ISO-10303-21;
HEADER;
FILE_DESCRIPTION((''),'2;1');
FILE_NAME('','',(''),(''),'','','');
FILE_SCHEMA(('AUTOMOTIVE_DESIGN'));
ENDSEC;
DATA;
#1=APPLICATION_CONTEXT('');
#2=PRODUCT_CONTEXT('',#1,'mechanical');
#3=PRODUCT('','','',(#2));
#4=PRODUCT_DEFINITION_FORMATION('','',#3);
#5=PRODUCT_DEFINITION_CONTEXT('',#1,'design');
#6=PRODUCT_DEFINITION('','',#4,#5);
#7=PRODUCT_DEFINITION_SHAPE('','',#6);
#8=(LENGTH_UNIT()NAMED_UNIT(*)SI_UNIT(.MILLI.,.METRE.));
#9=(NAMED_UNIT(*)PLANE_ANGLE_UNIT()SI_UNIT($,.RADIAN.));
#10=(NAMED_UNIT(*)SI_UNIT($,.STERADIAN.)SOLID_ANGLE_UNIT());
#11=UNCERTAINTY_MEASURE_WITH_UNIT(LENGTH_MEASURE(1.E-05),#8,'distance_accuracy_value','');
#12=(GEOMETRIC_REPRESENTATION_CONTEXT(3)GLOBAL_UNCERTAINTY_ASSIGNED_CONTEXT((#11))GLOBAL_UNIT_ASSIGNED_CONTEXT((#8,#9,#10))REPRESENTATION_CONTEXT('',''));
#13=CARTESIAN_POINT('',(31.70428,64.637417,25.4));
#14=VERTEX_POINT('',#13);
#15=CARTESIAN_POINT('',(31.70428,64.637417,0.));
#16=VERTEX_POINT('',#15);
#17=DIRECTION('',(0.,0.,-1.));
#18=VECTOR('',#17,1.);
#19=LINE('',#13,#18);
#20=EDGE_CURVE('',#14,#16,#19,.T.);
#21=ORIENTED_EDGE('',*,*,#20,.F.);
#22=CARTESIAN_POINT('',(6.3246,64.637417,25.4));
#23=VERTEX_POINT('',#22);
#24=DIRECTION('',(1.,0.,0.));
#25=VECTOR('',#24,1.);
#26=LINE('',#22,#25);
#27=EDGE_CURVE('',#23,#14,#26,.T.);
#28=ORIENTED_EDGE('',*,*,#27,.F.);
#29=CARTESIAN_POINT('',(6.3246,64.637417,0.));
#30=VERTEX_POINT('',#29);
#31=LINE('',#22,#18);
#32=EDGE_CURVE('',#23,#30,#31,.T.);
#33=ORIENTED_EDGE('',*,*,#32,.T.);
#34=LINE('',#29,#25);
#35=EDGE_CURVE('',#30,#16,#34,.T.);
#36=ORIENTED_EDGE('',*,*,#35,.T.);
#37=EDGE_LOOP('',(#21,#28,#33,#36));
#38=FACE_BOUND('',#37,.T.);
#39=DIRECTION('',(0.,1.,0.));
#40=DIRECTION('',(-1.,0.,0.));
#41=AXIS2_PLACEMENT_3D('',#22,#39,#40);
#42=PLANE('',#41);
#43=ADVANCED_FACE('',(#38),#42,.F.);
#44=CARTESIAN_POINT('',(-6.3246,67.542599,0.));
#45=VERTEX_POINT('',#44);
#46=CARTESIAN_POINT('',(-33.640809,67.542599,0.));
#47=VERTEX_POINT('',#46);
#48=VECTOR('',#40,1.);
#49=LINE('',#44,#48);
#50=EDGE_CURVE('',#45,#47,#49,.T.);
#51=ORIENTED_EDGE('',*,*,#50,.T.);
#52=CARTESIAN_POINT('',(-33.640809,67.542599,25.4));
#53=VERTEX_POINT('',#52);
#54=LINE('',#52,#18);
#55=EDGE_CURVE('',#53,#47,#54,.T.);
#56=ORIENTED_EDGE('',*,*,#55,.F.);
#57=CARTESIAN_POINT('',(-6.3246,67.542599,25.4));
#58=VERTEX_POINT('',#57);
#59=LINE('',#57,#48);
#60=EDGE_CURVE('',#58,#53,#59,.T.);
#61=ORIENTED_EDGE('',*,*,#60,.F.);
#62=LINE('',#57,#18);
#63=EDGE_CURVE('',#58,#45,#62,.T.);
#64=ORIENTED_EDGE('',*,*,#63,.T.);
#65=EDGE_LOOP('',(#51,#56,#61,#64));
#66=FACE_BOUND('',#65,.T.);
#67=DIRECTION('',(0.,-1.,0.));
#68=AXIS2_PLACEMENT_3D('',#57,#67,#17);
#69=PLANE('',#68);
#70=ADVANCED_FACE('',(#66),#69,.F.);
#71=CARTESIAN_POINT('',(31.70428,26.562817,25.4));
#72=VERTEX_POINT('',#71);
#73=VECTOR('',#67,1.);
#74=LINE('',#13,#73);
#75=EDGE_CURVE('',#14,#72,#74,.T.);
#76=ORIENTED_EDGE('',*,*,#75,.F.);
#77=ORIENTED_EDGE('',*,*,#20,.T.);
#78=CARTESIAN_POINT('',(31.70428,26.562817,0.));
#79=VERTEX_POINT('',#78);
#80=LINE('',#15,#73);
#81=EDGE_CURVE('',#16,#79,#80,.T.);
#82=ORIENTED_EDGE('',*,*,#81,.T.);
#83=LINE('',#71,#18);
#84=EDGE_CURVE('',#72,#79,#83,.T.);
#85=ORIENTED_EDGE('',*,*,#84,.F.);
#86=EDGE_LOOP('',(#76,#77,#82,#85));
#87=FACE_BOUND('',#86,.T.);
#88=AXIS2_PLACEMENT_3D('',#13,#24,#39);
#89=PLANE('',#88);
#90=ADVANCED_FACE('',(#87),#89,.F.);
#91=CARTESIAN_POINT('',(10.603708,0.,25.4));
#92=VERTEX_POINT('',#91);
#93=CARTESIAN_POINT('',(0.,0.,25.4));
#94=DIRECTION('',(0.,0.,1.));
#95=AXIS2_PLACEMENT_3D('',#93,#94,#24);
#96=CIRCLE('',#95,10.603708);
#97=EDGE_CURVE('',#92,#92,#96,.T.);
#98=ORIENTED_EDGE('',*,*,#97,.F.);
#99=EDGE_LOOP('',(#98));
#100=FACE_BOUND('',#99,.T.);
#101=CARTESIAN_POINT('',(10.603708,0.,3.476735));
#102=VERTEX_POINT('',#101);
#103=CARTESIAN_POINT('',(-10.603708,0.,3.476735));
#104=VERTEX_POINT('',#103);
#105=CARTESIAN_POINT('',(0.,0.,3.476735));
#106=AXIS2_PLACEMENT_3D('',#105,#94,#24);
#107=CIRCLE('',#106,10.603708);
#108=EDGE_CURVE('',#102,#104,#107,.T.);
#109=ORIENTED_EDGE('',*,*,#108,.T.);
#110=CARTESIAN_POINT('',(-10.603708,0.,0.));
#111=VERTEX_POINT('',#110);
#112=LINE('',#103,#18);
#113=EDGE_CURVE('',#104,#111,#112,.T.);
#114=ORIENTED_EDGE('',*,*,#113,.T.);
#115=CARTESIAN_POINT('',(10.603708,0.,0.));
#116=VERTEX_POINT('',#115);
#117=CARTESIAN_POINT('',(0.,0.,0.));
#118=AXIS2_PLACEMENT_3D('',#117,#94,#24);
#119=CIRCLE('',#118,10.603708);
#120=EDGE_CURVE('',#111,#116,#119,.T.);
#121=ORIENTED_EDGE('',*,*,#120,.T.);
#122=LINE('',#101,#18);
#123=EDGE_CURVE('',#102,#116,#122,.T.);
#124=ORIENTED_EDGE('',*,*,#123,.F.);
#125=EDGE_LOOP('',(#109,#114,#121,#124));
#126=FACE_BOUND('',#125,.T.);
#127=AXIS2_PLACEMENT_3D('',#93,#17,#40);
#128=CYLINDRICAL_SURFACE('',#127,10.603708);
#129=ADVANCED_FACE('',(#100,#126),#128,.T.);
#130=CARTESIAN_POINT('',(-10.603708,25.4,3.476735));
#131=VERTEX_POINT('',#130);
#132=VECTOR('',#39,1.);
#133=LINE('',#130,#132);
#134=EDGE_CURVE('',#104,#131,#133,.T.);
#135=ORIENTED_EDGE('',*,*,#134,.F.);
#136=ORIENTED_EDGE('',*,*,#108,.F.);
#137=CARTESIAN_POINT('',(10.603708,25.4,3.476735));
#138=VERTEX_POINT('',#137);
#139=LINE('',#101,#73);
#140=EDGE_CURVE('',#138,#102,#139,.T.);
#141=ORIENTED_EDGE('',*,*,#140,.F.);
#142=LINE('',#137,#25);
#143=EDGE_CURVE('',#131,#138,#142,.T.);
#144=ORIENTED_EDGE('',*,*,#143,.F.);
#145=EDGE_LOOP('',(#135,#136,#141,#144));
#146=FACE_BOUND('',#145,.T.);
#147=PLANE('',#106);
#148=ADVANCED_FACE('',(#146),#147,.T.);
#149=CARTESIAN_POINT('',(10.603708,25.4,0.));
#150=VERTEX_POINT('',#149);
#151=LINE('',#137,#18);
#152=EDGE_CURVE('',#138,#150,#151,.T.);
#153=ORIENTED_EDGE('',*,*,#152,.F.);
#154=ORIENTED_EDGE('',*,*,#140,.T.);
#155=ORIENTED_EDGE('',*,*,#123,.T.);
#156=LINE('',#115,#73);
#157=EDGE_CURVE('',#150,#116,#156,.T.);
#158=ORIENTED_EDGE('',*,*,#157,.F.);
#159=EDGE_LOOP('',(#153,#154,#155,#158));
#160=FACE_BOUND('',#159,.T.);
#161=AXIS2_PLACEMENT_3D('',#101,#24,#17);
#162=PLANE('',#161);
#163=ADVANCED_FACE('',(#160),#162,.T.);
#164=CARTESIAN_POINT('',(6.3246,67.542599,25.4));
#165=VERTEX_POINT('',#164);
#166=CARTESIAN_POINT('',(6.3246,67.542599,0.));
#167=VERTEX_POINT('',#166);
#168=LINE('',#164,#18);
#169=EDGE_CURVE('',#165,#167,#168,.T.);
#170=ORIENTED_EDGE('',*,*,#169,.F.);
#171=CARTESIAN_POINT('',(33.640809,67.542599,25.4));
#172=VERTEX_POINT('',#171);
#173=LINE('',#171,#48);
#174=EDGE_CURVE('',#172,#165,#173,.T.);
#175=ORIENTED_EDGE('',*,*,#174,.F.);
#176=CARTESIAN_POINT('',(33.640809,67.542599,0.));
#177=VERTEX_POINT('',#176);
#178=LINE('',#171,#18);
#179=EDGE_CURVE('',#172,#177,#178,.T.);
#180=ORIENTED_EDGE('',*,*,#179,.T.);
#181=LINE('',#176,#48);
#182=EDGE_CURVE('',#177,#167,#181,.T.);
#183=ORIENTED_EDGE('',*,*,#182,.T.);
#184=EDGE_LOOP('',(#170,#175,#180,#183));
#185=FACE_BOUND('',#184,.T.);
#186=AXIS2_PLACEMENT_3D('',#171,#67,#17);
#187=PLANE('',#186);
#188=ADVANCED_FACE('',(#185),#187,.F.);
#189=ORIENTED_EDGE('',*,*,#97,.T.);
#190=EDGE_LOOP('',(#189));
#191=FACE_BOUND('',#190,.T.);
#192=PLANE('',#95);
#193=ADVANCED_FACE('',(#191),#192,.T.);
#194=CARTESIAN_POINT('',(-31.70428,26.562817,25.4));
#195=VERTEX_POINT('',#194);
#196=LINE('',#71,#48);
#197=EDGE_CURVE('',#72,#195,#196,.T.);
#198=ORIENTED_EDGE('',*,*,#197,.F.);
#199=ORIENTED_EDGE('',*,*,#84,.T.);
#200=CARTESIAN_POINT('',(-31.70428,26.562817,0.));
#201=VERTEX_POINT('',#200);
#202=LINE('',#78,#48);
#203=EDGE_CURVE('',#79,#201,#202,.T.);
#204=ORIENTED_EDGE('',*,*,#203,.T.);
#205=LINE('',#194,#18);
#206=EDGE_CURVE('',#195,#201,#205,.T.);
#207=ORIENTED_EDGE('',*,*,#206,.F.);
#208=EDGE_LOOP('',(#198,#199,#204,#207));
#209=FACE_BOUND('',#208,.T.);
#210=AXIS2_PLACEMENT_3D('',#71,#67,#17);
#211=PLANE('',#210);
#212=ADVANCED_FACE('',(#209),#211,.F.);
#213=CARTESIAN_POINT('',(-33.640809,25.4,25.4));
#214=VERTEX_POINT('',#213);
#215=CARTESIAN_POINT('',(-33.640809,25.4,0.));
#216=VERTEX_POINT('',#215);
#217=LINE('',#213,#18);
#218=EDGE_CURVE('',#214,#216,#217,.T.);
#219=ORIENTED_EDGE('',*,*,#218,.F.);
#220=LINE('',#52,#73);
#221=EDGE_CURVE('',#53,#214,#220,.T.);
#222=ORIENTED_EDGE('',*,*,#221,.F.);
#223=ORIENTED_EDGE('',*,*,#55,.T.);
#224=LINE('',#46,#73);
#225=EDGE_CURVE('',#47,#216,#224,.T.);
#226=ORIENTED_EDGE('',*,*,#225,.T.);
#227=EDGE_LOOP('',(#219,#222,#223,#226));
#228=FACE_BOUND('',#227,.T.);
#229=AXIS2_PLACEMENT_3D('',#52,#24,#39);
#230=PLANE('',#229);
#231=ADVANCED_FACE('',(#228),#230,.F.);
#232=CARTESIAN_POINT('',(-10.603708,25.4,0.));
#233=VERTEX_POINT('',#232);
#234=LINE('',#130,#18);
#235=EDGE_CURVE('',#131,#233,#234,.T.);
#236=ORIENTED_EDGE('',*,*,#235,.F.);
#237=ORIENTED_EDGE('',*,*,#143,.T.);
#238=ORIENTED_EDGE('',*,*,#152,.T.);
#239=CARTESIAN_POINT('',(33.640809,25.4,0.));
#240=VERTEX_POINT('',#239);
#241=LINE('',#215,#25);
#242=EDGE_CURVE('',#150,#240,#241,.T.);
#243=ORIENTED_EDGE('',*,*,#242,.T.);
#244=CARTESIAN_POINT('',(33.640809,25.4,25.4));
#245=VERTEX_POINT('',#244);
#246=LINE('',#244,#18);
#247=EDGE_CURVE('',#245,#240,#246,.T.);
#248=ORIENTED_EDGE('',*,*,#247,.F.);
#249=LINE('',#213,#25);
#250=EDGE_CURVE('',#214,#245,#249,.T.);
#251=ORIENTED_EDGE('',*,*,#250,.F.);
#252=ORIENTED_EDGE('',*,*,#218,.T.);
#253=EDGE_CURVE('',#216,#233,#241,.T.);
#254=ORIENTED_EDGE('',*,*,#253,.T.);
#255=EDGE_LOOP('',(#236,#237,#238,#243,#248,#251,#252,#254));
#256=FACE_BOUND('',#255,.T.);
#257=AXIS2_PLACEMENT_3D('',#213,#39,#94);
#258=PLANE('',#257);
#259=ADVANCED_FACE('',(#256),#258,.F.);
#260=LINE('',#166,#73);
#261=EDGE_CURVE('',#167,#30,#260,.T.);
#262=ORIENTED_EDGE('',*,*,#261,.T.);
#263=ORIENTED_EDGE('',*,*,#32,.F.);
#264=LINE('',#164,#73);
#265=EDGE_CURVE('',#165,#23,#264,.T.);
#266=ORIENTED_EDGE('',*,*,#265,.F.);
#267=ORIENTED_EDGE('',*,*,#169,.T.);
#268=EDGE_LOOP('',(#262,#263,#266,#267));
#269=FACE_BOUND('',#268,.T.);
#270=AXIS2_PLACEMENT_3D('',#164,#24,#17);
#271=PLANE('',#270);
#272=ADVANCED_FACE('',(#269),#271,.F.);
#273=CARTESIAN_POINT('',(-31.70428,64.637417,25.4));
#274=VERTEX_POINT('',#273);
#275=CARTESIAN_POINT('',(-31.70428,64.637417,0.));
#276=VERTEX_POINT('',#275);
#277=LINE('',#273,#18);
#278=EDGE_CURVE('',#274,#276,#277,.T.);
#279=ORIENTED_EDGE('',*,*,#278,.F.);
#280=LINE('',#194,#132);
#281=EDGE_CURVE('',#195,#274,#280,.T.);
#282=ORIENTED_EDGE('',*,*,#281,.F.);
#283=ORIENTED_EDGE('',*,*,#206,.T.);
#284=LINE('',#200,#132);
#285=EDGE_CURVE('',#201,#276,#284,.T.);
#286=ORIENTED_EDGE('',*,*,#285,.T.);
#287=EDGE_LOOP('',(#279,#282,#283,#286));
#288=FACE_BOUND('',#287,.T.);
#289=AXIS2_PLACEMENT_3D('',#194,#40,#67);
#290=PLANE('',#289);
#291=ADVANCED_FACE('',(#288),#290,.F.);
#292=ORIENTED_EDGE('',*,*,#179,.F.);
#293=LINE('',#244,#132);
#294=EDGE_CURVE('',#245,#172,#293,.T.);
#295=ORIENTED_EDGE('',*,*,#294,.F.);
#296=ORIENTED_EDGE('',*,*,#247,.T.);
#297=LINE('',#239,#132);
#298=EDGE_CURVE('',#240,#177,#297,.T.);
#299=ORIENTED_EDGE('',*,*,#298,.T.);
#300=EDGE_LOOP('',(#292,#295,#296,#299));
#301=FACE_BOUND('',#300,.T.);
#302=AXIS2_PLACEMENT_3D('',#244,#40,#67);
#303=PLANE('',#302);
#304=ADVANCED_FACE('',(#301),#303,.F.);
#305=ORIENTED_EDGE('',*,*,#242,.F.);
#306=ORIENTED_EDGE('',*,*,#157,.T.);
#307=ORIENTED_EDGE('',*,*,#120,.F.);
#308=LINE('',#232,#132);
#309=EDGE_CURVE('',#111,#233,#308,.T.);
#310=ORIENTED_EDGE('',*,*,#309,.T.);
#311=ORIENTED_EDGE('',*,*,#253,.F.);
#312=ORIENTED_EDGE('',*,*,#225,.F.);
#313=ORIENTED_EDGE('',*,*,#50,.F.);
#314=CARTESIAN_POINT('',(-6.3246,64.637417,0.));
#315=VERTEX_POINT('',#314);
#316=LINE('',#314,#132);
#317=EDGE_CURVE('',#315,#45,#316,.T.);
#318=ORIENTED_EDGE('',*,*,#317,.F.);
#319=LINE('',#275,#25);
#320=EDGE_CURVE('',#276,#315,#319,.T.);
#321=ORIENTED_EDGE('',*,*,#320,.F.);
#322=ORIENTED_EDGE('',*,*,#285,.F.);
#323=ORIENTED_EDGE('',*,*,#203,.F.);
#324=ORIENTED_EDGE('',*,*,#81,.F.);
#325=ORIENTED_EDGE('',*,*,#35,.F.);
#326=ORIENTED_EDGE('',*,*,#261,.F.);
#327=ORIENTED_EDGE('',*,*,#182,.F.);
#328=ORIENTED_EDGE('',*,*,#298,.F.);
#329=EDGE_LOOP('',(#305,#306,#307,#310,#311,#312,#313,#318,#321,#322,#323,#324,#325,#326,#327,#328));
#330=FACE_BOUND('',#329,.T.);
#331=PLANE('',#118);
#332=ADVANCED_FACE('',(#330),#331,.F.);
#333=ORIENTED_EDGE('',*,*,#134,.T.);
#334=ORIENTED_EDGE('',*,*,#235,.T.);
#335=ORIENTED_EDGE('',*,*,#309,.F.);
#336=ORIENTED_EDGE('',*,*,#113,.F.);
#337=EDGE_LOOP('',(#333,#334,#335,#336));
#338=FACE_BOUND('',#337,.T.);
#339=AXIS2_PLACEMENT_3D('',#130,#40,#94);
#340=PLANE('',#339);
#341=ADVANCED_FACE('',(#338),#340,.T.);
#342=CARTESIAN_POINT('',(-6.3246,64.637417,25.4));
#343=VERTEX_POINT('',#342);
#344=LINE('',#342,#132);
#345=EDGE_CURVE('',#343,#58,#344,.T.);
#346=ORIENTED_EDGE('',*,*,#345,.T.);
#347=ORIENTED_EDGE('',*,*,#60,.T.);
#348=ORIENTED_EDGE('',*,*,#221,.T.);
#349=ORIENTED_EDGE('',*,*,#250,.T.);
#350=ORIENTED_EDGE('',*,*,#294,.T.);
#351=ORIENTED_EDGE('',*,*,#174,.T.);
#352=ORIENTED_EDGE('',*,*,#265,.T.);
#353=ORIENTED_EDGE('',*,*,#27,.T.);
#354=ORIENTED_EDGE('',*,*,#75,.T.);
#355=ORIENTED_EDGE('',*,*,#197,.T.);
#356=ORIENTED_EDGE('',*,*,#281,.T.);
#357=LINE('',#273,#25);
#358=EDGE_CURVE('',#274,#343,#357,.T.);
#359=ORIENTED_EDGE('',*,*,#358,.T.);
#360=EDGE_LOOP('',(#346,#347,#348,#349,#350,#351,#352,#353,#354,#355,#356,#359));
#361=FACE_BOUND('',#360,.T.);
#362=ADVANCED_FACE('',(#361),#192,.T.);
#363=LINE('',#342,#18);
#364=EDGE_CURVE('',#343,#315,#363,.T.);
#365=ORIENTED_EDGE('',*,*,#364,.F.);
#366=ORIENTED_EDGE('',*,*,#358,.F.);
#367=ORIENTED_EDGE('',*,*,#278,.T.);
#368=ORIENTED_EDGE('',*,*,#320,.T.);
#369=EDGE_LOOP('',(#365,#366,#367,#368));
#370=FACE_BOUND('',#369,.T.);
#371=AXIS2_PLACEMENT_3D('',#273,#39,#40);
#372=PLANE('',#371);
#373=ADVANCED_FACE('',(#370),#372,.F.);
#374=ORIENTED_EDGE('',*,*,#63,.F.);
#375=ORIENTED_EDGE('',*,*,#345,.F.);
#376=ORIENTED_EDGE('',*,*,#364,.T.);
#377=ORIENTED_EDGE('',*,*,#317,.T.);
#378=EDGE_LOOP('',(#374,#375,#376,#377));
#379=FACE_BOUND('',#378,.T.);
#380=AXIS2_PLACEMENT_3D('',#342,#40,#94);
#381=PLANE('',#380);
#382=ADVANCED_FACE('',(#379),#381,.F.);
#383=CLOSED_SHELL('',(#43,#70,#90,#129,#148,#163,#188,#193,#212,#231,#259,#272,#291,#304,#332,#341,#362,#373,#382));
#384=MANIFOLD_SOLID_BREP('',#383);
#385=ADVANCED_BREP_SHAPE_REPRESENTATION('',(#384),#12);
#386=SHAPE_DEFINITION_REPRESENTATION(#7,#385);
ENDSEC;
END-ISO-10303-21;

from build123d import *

# Parameters (mm, degrees)
SKETCH1_R             = 10.603707514
BOSS_EXTRUDE1_DEPTH   = 25.4
BOSS_EXTRUDE1_2_DEPTH = 25.4
BOSS_EXTRUDE3_DEPTH   = 3.47673544


with BuildPart() as part:
    # Sketch1 → Boss-Extrude1 (new body)
    with BuildSketch(Plane.XY):
        Circle(SKETCH1_R)
    extrude(amount=BOSS_EXTRUDE1_DEPTH)



with BuildPart() as body_2:
    # Sketch1 → Boss-Extrude1 2 (new body)
    with BuildSketch(Plane.XY):
        Polygon((-33.640809115, 67.542598602), (-33.640809115, 25.4), (33.640809115, 25.4), (33.640809115, 67.542598602), (6.3246, 67.542598602), (6.3246, 64.637417314), (31.70428, 64.637417314), (31.70428, 26.562817314), (-31.70428, 26.562817314), (-31.70428, 64.637417314), (-6.3246, 64.637417314), (-6.3246, 67.542598602), align=None)
    extrude(amount=BOSS_EXTRUDE1_2_DEPTH)


with BuildPart() as part_1:
    add(part.part)

    add(body_2.part)  # Boss-Extrude3 merges body 2
    # Sketch3 → Boss-Extrude3 (add)
    with BuildSketch(Plane(origin=(0, 0, 0), x_dir=(-1, 0, 0), z_dir=(0, 0, -1))):
        with BuildLine():
            Line((-10.603707514, 0), (-10.603707514, 25.4))
            Line((-10.603707514, 25.4), (10.603707514, 25.4))
            Line((10.603707514, 25.4), (10.603707514, 0))
            ThreePointArc((10.603707514, 0), (0, -10.603707514), (-10.603707514, 0))
        make_face()
    extrude(amount=-BOSS_EXTRUDE3_DEPTH)


solid = part_1.part
